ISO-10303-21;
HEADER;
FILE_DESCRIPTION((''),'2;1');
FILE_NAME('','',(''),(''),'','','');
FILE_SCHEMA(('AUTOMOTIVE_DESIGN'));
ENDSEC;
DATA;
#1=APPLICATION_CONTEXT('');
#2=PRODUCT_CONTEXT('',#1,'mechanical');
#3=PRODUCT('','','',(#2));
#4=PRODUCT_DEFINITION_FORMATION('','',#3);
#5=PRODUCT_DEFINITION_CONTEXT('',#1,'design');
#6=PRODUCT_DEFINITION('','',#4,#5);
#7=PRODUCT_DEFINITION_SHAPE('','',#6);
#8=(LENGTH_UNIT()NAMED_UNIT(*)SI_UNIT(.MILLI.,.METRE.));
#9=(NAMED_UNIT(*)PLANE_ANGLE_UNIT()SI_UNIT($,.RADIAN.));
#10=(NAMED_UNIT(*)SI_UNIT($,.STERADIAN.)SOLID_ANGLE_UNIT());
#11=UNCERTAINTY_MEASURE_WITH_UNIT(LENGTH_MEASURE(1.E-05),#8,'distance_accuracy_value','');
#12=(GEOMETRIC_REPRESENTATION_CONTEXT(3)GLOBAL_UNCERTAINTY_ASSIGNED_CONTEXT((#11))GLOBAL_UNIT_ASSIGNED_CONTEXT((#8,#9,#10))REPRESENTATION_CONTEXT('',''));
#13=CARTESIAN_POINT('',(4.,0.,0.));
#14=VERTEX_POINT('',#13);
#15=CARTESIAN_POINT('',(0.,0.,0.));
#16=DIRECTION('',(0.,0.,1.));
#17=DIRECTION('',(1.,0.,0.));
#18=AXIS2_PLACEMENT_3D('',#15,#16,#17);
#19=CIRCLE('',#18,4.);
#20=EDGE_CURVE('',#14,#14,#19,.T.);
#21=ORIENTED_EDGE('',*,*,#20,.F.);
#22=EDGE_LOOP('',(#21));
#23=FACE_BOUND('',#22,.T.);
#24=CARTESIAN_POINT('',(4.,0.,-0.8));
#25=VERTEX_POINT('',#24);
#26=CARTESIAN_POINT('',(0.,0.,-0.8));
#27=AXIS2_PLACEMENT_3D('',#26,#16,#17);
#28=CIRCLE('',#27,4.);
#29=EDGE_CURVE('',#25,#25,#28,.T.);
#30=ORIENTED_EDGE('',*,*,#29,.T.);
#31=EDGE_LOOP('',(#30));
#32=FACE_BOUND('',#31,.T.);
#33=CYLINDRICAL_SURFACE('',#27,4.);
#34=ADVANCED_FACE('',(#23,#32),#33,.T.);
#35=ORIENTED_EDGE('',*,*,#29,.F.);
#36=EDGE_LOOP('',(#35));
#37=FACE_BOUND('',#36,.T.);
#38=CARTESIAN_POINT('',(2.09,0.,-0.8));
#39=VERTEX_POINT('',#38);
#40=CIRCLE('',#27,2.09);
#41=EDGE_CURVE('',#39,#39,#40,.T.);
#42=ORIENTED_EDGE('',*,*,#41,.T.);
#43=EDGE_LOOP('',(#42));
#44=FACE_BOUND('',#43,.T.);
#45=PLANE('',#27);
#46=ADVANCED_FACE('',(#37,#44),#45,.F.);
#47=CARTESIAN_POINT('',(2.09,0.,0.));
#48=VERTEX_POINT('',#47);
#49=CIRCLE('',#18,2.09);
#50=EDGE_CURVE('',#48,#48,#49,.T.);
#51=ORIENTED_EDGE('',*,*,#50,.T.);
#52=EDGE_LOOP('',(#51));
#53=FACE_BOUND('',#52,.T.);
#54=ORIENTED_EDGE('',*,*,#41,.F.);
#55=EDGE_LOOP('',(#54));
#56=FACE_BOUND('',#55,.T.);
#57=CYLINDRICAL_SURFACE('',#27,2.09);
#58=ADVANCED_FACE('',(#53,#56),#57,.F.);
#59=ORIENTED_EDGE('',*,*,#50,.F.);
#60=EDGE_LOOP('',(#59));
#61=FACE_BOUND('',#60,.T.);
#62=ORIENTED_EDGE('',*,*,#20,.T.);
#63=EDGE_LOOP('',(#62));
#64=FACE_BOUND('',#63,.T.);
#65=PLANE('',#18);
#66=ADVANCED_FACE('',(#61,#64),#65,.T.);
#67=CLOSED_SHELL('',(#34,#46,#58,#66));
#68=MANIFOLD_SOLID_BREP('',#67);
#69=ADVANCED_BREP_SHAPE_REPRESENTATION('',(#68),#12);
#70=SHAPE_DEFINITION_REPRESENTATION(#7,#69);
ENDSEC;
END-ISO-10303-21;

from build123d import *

# Parameters (mm, degrees)
SKETCH1_R          = 4
SKETCH1_R_2        = 2.09
BASE_EXTRUDE_DEPTH = 0.8


with BuildPart() as part:
    # Sketch1 → Base-Extrude (new body)
    with BuildSketch(Plane.XY):
        Circle(SKETCH1_R)
        Circle(SKETCH1_R_2, mode=Mode.SUBTRACT)
    extrude(amount=-BASE_EXTRUDE_DEPTH)


solid = part.part
